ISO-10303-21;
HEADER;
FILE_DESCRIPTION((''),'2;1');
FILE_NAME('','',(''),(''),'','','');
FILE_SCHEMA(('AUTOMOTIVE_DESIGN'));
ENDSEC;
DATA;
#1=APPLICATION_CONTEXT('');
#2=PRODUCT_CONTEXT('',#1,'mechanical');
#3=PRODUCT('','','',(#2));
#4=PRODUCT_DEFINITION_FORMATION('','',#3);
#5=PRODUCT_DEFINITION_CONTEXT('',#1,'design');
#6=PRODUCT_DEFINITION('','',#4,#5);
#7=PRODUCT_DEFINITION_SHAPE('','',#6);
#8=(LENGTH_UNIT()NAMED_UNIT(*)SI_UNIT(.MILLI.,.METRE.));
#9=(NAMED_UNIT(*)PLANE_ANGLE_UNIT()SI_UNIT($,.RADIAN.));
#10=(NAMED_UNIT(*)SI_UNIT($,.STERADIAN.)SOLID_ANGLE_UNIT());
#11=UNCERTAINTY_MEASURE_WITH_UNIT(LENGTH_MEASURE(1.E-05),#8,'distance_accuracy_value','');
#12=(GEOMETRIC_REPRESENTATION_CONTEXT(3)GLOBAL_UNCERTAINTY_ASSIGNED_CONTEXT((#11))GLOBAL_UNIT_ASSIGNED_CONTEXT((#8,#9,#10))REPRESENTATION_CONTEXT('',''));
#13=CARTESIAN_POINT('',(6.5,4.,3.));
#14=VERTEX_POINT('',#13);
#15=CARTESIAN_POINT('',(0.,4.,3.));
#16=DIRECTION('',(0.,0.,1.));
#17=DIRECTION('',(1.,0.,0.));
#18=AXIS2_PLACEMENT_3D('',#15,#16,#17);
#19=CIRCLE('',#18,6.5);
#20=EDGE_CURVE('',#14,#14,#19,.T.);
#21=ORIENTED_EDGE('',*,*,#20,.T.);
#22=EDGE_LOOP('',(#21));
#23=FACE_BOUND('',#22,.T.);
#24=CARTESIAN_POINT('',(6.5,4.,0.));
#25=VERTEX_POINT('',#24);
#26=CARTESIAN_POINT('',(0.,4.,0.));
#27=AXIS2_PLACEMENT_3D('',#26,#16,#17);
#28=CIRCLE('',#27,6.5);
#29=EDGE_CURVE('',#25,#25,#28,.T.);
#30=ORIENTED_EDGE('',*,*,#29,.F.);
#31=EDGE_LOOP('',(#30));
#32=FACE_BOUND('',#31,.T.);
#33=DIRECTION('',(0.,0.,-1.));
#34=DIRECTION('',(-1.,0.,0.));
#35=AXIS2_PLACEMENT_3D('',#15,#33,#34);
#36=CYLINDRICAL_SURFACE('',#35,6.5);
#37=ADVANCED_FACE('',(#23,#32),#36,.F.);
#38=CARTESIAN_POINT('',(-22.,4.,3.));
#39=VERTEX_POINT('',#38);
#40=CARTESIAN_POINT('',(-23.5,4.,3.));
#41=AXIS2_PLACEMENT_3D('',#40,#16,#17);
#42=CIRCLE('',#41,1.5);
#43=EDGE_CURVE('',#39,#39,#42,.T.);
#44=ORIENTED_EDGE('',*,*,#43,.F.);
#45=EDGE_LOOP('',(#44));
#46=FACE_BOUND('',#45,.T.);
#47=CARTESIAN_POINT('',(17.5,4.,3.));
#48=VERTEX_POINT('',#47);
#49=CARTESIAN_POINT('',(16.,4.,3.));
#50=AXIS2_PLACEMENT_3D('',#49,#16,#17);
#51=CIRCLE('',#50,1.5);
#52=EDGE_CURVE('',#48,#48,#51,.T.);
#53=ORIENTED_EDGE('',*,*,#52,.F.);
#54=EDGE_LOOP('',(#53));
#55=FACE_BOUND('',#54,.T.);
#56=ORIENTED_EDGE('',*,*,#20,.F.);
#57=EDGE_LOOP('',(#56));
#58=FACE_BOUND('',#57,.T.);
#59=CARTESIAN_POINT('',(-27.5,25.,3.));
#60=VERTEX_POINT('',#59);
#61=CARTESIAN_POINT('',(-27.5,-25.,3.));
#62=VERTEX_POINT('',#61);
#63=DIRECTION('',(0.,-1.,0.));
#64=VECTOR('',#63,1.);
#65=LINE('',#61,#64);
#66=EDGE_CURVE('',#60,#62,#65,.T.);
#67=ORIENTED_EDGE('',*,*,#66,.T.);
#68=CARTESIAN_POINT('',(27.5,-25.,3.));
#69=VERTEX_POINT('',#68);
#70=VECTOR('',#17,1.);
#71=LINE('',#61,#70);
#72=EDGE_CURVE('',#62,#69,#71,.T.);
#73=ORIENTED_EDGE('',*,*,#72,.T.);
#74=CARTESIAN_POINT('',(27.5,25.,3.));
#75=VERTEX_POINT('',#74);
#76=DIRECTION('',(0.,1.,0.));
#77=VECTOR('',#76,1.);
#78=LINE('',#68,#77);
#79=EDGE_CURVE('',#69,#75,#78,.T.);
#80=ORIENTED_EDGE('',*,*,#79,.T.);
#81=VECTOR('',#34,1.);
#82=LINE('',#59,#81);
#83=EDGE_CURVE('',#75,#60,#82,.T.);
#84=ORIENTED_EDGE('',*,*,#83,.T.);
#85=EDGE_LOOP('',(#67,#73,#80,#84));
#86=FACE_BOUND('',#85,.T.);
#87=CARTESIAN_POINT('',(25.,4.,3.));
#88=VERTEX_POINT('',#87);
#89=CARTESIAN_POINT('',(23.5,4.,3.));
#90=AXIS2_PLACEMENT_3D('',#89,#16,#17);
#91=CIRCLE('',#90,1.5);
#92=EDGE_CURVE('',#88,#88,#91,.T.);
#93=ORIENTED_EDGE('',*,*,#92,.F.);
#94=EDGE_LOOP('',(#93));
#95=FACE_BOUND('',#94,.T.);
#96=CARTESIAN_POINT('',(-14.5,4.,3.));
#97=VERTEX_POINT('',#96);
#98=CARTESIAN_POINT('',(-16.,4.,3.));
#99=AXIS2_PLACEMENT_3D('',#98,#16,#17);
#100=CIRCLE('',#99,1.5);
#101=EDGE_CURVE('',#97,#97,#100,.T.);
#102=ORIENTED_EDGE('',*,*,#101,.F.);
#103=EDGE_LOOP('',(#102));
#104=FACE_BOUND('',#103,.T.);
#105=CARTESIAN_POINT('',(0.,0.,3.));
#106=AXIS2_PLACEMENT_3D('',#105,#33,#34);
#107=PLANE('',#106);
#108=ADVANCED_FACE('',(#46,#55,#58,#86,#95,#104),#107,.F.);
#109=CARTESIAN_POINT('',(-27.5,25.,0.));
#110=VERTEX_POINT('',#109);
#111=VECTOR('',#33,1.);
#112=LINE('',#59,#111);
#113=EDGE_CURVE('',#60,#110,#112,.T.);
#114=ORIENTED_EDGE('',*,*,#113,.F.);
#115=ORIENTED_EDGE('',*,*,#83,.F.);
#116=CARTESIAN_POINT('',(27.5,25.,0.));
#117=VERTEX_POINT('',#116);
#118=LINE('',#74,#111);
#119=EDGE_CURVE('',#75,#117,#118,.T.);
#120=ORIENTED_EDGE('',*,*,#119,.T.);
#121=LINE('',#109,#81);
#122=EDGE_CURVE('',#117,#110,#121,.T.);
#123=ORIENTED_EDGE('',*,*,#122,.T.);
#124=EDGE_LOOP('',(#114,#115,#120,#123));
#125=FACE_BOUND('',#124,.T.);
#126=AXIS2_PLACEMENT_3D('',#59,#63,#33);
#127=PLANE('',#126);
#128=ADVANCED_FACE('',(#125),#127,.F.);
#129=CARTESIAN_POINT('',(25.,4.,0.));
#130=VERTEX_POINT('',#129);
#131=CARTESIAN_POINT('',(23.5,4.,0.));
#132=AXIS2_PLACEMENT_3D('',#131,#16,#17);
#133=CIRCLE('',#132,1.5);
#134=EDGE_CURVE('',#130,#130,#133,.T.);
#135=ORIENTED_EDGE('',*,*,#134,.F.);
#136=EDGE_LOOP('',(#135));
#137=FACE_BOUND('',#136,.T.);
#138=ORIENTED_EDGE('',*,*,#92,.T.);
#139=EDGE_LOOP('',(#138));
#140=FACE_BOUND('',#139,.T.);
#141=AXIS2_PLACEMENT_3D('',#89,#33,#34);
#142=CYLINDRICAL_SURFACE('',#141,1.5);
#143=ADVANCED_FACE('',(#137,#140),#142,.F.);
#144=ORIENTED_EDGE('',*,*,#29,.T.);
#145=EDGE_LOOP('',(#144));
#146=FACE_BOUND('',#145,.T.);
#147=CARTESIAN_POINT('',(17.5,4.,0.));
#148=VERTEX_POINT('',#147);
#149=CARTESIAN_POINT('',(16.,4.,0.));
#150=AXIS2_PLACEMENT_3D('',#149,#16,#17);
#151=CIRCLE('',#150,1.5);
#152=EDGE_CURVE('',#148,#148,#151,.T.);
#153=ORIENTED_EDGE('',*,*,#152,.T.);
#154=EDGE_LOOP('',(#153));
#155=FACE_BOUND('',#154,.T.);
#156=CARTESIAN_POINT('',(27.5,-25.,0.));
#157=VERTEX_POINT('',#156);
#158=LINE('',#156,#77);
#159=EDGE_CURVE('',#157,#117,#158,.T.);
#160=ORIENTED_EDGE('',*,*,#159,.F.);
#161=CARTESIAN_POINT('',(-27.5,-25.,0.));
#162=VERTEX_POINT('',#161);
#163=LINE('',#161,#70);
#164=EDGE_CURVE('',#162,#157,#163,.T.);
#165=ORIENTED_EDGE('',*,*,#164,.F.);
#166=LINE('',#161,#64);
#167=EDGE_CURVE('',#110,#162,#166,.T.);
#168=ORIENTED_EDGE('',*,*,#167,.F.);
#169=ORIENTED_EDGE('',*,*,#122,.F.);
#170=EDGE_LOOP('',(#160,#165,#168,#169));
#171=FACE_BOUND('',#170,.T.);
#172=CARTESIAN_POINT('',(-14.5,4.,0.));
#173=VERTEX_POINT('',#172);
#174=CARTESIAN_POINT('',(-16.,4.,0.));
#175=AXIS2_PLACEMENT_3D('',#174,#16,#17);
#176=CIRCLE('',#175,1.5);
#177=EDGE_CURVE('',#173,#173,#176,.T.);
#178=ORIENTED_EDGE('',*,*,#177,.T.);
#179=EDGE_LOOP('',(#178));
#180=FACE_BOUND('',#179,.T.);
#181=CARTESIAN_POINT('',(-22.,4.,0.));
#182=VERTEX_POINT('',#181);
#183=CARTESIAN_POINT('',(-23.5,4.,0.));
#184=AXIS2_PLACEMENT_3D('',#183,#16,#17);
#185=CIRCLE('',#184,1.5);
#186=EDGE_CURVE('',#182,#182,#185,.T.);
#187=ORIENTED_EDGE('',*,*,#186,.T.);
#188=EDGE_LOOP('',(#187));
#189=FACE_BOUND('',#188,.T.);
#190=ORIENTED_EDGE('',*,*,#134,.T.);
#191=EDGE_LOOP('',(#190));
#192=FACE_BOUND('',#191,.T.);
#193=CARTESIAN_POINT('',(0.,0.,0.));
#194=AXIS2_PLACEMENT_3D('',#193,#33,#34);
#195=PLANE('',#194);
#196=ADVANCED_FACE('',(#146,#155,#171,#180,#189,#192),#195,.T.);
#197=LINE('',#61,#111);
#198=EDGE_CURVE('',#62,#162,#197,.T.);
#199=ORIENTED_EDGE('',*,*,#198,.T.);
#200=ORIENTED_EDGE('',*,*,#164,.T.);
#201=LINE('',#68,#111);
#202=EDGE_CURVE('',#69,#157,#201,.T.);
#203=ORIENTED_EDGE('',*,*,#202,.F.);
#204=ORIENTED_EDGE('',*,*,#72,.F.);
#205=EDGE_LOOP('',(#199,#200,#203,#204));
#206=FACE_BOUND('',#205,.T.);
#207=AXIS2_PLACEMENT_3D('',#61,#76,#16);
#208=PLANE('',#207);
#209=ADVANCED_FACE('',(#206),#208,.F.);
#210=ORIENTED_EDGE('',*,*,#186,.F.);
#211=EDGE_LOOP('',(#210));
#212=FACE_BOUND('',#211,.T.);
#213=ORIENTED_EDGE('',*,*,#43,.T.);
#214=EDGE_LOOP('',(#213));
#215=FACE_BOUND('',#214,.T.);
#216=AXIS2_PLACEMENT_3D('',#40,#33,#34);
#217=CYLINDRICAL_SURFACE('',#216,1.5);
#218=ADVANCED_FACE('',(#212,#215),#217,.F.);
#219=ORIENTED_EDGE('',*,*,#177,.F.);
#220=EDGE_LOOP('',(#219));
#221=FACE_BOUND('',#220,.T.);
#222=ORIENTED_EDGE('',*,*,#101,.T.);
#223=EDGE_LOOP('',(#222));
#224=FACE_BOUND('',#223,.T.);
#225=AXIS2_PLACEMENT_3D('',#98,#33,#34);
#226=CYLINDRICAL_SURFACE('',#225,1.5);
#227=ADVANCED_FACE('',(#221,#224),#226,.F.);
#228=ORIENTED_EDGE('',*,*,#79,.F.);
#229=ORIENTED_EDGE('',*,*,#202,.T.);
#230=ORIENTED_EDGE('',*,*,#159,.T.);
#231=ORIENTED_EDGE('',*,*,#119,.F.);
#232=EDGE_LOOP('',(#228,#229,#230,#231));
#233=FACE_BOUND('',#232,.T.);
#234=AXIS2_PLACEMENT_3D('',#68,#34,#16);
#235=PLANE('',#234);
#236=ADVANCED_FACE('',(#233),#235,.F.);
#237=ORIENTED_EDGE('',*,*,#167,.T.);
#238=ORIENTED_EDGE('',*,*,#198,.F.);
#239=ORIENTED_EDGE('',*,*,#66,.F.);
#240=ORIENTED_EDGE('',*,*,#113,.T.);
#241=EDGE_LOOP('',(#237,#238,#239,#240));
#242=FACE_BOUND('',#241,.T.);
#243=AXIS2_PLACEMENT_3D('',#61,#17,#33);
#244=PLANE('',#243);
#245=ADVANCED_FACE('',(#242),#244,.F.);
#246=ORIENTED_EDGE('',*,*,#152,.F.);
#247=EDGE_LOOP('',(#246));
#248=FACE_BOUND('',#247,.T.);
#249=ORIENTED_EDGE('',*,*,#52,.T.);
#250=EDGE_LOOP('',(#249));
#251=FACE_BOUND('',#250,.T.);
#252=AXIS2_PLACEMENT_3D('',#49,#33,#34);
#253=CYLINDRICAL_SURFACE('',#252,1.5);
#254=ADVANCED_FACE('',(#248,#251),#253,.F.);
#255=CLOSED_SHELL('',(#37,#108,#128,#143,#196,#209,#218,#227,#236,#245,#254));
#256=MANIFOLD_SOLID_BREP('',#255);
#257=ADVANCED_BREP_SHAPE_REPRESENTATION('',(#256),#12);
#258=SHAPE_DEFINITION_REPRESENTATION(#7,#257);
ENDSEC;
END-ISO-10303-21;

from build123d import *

# Parameters (mm, degrees)
ESQUISSE1_W        = 55
ESQUISSE1_H        = 50
ESQUISSE1_R        = 6.5
ESQUISSE1_R_2      = 1.5
BOSS_EXTRU_1_DEPTH = 3


with BuildPart() as part:
    # Esquisse1 → Boss.-Extru.1 (new body)
    with BuildSketch(Plane.XY):
        Rectangle(ESQUISSE1_W, ESQUISSE1_H)
        with Locations((0, 4)):
            Circle(ESQUISSE1_R, mode=Mode.SUBTRACT)
        with Locations((16, 4)):
            Circle(ESQUISSE1_R_2, mode=Mode.SUBTRACT)
        with Locations((23.5, 4)):
            Circle(ESQUISSE1_R_2, mode=Mode.SUBTRACT)
        with Locations((-16, 4)):
            Circle(ESQUISSE1_R_2, mode=Mode.SUBTRACT)
        with Locations((-23.5, 4)):
            Circle(ESQUISSE1_R_2, mode=Mode.SUBTRACT)
    extrude(amount=BOSS_EXTRU_1_DEPTH)


solid = part.part
